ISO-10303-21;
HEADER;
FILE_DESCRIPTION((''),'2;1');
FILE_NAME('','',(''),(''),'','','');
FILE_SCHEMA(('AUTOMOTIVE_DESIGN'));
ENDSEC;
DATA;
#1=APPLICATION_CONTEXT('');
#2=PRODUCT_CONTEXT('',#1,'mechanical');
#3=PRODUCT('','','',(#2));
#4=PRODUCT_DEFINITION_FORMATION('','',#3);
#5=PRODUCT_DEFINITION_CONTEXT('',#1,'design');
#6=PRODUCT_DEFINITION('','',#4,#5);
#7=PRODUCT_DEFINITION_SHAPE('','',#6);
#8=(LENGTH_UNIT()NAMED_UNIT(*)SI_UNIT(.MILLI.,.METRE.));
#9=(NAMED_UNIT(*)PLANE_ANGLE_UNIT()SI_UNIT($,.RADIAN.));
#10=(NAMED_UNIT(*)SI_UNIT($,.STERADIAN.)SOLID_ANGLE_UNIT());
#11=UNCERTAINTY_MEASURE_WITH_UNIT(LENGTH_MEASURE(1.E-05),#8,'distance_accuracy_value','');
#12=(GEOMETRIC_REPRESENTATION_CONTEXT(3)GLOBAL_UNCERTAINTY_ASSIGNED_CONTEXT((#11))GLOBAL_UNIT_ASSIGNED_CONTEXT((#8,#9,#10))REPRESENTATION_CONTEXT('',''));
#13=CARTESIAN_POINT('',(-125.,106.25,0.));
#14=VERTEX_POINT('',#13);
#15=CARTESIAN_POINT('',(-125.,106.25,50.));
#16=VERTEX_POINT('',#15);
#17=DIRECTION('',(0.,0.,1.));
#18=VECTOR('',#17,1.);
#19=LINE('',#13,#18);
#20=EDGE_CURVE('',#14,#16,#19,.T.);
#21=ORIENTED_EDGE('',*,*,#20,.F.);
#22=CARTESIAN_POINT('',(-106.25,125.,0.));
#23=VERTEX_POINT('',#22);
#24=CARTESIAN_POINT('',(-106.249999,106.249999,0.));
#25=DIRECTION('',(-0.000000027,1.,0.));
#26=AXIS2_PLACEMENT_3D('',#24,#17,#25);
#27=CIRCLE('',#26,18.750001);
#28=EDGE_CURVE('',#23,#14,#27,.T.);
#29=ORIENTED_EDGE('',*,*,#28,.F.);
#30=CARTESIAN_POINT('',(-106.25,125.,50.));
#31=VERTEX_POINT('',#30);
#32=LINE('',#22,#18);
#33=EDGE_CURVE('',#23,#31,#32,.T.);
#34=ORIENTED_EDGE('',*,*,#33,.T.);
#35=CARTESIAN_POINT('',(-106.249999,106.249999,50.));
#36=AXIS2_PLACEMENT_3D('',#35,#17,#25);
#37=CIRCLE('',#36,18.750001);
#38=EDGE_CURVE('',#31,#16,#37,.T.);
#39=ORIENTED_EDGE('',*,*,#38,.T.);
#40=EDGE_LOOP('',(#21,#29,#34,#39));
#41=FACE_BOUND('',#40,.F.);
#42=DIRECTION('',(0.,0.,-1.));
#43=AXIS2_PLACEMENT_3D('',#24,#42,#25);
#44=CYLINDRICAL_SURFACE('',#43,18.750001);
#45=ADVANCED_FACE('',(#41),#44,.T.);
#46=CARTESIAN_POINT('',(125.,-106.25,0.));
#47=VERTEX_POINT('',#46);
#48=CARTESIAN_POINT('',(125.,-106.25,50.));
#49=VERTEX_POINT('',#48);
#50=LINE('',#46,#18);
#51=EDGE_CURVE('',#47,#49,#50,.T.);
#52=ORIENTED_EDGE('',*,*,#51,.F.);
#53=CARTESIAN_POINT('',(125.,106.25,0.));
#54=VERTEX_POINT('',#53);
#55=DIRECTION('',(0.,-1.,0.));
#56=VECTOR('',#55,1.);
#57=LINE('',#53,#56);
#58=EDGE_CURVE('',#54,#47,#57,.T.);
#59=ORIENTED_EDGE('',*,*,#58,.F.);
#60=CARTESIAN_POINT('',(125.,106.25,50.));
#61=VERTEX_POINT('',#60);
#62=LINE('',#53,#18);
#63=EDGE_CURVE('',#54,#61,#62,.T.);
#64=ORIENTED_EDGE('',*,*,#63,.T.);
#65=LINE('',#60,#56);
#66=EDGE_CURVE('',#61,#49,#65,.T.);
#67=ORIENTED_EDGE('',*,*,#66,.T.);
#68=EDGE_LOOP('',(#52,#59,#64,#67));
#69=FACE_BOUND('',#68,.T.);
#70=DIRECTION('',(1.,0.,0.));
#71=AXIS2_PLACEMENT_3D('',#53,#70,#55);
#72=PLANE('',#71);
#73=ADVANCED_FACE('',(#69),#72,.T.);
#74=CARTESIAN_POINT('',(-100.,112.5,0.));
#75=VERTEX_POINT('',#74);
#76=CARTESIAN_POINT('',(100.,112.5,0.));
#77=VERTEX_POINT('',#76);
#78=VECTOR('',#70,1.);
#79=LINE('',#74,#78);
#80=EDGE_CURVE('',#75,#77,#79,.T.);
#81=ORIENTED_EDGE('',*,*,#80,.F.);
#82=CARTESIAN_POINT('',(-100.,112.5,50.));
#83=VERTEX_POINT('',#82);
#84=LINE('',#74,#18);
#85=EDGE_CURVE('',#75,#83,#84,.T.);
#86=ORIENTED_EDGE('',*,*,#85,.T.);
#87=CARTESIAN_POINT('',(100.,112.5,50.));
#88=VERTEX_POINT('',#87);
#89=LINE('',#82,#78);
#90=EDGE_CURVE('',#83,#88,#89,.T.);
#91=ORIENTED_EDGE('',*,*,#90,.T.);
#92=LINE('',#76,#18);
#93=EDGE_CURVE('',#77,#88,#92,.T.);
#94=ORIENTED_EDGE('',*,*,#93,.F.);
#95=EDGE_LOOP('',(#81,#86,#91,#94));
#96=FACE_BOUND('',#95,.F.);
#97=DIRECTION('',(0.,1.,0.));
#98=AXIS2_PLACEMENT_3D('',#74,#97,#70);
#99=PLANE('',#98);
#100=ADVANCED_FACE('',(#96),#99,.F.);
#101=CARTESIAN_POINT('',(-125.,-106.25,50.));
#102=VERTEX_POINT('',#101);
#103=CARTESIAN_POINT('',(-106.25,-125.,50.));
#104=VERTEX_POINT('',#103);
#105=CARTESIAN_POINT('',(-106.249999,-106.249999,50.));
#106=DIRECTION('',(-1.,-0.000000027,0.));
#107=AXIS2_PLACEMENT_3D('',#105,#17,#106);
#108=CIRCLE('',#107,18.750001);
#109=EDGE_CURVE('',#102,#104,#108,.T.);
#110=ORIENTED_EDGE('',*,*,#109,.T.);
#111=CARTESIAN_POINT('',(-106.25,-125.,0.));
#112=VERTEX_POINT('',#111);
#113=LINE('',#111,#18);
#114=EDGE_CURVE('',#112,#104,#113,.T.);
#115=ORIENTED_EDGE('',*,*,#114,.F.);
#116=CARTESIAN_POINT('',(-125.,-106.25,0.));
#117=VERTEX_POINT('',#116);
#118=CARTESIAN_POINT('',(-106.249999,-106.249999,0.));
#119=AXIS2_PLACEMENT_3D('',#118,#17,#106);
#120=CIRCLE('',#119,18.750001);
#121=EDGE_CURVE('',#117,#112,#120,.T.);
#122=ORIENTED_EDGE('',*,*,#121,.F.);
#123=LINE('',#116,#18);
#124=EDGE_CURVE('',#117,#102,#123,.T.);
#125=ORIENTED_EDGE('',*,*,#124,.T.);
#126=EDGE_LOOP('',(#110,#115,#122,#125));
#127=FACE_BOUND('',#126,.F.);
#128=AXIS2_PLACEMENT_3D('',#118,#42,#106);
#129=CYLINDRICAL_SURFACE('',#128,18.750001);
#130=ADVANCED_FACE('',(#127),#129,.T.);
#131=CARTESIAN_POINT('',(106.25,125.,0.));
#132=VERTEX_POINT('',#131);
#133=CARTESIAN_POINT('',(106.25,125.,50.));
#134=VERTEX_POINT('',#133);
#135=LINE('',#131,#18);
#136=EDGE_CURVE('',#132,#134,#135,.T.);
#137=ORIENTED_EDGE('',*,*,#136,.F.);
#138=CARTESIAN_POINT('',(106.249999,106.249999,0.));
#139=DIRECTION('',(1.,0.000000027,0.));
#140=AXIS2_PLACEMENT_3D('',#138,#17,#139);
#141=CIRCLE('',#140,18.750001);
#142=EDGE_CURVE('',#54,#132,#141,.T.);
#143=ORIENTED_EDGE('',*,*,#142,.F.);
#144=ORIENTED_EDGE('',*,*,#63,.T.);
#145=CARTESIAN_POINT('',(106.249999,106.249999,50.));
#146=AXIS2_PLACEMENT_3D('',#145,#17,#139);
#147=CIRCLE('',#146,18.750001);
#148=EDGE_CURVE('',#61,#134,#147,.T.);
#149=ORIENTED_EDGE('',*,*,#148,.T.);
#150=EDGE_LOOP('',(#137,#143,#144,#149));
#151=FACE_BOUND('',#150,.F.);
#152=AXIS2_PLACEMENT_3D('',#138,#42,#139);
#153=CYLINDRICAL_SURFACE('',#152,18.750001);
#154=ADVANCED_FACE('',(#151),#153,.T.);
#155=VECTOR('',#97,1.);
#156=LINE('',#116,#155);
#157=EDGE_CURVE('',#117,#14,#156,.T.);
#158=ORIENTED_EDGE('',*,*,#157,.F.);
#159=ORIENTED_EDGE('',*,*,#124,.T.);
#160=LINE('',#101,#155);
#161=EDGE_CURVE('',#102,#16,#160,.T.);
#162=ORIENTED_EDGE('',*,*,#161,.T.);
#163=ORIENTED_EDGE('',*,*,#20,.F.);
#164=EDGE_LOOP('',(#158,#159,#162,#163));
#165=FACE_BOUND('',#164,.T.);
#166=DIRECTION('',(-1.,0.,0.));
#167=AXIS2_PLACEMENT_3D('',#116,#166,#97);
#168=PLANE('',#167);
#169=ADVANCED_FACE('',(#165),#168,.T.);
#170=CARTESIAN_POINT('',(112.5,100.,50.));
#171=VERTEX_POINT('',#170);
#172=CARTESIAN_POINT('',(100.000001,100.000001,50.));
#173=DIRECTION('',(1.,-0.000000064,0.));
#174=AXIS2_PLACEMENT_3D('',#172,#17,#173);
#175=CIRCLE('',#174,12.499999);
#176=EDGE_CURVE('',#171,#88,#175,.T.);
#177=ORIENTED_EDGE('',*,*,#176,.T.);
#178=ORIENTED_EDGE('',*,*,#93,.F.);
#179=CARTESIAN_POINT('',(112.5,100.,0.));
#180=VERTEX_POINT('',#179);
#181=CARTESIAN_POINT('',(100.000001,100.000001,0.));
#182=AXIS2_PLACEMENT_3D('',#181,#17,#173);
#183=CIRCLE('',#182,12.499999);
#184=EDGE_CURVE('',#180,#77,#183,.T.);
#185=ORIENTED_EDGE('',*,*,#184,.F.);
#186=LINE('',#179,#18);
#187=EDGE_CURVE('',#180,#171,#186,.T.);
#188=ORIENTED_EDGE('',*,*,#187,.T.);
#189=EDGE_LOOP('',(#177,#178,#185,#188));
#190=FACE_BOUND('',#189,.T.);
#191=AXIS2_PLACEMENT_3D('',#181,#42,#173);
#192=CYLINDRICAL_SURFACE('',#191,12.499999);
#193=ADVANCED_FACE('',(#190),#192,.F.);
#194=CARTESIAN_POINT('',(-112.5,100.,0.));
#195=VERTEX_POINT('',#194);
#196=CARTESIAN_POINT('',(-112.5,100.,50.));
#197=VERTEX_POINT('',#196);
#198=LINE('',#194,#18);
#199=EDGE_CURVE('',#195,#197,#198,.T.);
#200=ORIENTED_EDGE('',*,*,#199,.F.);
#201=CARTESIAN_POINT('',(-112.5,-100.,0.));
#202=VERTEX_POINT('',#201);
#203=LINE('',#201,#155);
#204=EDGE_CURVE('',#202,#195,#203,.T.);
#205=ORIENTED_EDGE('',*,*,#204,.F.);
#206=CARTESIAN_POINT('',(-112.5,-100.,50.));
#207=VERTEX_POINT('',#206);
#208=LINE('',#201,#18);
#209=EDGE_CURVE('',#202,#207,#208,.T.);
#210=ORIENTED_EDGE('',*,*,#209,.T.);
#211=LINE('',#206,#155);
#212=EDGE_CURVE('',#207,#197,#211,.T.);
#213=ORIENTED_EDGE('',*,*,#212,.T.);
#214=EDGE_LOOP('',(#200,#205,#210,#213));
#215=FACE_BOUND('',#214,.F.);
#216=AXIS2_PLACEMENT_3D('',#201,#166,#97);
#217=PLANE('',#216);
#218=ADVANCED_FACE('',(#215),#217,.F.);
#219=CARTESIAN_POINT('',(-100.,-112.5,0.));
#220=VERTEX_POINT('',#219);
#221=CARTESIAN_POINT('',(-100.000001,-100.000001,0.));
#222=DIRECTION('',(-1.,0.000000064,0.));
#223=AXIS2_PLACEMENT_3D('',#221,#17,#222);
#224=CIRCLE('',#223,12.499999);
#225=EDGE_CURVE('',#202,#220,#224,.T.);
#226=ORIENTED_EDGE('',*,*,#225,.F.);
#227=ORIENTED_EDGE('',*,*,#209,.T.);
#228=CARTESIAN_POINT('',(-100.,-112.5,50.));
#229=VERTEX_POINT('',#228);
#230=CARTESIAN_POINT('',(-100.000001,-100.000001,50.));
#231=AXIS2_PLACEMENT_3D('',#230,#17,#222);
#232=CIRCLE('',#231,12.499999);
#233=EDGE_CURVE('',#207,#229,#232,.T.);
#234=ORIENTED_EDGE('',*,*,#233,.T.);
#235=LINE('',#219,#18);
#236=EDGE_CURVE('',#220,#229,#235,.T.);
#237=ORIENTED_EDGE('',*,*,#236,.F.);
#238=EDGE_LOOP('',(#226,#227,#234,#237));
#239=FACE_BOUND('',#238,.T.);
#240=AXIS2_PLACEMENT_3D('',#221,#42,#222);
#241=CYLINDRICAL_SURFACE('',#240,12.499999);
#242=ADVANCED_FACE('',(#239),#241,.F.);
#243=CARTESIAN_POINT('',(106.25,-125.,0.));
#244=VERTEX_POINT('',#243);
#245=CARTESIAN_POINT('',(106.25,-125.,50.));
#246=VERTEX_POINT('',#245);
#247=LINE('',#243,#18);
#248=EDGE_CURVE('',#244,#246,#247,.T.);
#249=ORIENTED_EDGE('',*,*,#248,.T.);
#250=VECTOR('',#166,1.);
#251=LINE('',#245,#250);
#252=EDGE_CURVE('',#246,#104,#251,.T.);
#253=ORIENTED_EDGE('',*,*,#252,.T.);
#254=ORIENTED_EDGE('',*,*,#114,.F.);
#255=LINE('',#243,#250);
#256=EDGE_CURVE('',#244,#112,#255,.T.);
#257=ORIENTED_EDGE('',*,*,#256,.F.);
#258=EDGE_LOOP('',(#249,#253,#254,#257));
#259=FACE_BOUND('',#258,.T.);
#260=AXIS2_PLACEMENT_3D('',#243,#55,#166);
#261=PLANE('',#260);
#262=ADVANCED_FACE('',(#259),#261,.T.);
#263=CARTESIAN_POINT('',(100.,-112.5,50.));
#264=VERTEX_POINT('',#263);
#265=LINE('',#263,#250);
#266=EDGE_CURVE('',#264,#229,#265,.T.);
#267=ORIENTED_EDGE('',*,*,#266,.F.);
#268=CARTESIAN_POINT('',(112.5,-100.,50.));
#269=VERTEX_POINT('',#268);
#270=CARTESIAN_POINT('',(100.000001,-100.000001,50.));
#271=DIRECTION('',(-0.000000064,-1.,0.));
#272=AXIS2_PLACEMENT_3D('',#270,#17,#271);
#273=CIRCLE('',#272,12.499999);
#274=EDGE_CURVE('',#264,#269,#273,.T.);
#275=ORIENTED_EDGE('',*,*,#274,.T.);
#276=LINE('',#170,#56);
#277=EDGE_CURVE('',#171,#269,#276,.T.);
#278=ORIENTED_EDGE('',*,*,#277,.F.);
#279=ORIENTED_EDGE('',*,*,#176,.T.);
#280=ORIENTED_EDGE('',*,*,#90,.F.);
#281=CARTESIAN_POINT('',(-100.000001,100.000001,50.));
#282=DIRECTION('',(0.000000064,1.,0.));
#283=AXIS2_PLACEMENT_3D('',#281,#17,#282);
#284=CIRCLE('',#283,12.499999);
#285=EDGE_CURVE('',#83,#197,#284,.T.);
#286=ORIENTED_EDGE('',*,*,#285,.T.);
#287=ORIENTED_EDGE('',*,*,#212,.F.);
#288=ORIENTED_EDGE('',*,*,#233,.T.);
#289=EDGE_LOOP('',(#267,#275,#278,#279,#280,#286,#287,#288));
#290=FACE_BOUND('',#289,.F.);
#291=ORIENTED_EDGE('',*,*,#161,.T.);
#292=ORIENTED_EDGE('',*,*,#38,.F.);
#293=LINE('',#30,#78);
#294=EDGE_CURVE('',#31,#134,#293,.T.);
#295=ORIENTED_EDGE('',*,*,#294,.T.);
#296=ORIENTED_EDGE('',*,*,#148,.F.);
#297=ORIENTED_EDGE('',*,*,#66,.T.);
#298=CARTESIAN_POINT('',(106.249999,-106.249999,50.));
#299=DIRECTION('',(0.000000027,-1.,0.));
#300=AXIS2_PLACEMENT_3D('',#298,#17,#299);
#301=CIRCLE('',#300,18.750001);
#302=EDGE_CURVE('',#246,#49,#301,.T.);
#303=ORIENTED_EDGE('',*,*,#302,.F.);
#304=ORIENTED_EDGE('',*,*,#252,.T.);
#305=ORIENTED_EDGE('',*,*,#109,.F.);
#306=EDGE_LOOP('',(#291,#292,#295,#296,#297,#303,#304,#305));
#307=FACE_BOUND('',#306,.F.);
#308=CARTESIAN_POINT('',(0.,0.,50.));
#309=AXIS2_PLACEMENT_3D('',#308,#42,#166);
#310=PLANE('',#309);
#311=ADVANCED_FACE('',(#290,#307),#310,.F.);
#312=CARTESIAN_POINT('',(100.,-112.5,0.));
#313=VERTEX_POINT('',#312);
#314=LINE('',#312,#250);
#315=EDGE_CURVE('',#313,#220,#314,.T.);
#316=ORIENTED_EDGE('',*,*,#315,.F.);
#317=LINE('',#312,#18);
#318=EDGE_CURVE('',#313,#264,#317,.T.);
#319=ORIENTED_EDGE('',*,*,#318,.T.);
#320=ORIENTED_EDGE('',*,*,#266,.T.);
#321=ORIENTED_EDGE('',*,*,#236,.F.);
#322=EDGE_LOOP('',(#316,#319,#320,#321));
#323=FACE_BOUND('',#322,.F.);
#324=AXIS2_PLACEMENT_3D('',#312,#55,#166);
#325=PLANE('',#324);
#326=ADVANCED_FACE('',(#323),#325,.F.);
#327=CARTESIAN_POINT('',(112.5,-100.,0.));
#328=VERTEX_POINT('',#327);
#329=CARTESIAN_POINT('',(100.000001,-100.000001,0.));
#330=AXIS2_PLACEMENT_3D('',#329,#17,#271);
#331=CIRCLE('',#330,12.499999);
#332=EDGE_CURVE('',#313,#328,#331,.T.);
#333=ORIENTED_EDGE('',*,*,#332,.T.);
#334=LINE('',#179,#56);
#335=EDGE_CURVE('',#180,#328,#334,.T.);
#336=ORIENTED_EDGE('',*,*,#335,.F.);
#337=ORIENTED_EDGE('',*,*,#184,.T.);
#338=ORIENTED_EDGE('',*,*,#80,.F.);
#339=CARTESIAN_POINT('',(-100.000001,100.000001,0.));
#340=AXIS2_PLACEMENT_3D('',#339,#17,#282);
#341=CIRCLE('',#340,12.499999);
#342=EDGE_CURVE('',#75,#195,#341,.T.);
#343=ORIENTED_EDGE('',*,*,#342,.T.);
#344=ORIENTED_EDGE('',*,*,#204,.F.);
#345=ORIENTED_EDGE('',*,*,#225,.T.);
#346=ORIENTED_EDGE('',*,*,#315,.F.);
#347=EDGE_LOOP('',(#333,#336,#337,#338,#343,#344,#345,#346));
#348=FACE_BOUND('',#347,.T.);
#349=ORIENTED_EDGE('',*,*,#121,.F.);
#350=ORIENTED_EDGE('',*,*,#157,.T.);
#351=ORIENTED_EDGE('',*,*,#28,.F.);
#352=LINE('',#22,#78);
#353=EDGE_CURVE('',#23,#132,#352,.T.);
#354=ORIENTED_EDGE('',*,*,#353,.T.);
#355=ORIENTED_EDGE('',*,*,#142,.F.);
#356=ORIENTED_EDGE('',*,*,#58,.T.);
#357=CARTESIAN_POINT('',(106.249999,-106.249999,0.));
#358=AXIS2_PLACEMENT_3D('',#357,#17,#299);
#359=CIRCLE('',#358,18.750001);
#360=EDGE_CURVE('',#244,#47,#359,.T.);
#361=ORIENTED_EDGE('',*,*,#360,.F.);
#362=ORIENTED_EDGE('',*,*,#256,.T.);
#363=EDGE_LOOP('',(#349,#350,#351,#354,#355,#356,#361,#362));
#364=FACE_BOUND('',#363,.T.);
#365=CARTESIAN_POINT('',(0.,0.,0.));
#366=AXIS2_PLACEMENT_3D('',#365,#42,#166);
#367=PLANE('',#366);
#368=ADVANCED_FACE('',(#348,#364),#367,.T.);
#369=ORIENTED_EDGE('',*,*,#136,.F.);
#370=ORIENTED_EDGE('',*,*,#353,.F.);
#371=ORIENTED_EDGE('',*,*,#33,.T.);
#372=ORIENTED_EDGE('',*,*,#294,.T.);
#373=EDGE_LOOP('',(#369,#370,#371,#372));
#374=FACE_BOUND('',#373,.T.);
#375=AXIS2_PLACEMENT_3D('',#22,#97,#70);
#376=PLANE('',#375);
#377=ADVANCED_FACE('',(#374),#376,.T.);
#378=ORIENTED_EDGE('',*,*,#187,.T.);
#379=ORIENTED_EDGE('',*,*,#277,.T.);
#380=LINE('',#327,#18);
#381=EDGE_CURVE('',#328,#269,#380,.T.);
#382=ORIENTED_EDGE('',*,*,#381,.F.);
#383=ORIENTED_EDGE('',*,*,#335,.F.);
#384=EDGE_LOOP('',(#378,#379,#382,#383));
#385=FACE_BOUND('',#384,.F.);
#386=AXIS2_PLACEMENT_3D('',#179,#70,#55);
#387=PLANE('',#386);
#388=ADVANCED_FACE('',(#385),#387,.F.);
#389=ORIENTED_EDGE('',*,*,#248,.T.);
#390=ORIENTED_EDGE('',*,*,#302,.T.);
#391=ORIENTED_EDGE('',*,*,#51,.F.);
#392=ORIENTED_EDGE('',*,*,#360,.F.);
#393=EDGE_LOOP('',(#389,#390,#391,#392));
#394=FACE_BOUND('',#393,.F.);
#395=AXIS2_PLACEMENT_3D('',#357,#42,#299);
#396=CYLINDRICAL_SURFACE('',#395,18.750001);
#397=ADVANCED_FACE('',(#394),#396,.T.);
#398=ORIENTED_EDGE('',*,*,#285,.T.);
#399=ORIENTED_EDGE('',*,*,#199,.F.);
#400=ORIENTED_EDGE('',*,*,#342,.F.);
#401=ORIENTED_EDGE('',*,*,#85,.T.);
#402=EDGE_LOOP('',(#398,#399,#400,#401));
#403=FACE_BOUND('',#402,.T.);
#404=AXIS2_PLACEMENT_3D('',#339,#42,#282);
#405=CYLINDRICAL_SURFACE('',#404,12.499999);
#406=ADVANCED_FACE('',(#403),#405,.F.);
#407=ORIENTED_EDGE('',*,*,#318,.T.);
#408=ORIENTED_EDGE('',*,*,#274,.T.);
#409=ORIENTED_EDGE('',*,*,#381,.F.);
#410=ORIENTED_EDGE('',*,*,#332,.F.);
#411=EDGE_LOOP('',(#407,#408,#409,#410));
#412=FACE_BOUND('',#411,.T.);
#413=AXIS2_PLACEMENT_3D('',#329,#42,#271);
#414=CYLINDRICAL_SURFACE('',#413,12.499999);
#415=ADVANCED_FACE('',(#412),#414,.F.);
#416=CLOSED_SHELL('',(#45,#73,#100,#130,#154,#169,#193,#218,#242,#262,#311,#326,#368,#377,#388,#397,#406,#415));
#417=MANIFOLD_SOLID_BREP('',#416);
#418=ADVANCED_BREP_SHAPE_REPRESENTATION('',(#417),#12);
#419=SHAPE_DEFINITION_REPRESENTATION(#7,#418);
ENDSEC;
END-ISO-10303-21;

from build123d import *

# Parameters (mm, degrees)
EXTRUDE_DEPTH = 50


with BuildPart() as part:
    # Sketch → Extrude (new body)
    with BuildSketch(Plane.XY):
        with BuildLine():
            Line((-106.25, 125), (106.25, 125))
            ThreePointArc((125, 106.25), (119.508252, 119.508252), (106.25, 125))
            Line((125, 106.25), (125, -106.25))
            ThreePointArc((106.25, -125), (119.508252, -119.508252), (125, -106.25))
            Line((106.25, -125), (-106.25, -125))
            ThreePointArc((-125, -106.25), (-119.508252, -119.508252), (-106.25, -125))
            Line((-125, -106.25), (-125, 106.25))
            ThreePointArc((-106.25, 125), (-119.508252, 119.508252), (-125, 106.25))
        make_face()
        with BuildLine():
            Line((-100, 112.5), (100, 112.5))
            ThreePointArc((112.5, 100), (108.838835, 108.838835), (100, 112.5))
            Line((112.5, 100), (112.5, -100))
            ThreePointArc((100, -112.5), (108.838835, -108.838835), (112.5, -100))
            Line((100, -112.5), (-100, -112.5))
            ThreePointArc((-112.5, -100), (-108.838835, -108.838835), (-100, -112.5))
            Line((-112.5, -100), (-112.5, 100))
            ThreePointArc((-100, 112.5), (-108.838835, 108.838835), (-112.5, 100))
        make_face(mode=Mode.SUBTRACT)
    extrude(amount=EXTRUDE_DEPTH)


solid = part.part
